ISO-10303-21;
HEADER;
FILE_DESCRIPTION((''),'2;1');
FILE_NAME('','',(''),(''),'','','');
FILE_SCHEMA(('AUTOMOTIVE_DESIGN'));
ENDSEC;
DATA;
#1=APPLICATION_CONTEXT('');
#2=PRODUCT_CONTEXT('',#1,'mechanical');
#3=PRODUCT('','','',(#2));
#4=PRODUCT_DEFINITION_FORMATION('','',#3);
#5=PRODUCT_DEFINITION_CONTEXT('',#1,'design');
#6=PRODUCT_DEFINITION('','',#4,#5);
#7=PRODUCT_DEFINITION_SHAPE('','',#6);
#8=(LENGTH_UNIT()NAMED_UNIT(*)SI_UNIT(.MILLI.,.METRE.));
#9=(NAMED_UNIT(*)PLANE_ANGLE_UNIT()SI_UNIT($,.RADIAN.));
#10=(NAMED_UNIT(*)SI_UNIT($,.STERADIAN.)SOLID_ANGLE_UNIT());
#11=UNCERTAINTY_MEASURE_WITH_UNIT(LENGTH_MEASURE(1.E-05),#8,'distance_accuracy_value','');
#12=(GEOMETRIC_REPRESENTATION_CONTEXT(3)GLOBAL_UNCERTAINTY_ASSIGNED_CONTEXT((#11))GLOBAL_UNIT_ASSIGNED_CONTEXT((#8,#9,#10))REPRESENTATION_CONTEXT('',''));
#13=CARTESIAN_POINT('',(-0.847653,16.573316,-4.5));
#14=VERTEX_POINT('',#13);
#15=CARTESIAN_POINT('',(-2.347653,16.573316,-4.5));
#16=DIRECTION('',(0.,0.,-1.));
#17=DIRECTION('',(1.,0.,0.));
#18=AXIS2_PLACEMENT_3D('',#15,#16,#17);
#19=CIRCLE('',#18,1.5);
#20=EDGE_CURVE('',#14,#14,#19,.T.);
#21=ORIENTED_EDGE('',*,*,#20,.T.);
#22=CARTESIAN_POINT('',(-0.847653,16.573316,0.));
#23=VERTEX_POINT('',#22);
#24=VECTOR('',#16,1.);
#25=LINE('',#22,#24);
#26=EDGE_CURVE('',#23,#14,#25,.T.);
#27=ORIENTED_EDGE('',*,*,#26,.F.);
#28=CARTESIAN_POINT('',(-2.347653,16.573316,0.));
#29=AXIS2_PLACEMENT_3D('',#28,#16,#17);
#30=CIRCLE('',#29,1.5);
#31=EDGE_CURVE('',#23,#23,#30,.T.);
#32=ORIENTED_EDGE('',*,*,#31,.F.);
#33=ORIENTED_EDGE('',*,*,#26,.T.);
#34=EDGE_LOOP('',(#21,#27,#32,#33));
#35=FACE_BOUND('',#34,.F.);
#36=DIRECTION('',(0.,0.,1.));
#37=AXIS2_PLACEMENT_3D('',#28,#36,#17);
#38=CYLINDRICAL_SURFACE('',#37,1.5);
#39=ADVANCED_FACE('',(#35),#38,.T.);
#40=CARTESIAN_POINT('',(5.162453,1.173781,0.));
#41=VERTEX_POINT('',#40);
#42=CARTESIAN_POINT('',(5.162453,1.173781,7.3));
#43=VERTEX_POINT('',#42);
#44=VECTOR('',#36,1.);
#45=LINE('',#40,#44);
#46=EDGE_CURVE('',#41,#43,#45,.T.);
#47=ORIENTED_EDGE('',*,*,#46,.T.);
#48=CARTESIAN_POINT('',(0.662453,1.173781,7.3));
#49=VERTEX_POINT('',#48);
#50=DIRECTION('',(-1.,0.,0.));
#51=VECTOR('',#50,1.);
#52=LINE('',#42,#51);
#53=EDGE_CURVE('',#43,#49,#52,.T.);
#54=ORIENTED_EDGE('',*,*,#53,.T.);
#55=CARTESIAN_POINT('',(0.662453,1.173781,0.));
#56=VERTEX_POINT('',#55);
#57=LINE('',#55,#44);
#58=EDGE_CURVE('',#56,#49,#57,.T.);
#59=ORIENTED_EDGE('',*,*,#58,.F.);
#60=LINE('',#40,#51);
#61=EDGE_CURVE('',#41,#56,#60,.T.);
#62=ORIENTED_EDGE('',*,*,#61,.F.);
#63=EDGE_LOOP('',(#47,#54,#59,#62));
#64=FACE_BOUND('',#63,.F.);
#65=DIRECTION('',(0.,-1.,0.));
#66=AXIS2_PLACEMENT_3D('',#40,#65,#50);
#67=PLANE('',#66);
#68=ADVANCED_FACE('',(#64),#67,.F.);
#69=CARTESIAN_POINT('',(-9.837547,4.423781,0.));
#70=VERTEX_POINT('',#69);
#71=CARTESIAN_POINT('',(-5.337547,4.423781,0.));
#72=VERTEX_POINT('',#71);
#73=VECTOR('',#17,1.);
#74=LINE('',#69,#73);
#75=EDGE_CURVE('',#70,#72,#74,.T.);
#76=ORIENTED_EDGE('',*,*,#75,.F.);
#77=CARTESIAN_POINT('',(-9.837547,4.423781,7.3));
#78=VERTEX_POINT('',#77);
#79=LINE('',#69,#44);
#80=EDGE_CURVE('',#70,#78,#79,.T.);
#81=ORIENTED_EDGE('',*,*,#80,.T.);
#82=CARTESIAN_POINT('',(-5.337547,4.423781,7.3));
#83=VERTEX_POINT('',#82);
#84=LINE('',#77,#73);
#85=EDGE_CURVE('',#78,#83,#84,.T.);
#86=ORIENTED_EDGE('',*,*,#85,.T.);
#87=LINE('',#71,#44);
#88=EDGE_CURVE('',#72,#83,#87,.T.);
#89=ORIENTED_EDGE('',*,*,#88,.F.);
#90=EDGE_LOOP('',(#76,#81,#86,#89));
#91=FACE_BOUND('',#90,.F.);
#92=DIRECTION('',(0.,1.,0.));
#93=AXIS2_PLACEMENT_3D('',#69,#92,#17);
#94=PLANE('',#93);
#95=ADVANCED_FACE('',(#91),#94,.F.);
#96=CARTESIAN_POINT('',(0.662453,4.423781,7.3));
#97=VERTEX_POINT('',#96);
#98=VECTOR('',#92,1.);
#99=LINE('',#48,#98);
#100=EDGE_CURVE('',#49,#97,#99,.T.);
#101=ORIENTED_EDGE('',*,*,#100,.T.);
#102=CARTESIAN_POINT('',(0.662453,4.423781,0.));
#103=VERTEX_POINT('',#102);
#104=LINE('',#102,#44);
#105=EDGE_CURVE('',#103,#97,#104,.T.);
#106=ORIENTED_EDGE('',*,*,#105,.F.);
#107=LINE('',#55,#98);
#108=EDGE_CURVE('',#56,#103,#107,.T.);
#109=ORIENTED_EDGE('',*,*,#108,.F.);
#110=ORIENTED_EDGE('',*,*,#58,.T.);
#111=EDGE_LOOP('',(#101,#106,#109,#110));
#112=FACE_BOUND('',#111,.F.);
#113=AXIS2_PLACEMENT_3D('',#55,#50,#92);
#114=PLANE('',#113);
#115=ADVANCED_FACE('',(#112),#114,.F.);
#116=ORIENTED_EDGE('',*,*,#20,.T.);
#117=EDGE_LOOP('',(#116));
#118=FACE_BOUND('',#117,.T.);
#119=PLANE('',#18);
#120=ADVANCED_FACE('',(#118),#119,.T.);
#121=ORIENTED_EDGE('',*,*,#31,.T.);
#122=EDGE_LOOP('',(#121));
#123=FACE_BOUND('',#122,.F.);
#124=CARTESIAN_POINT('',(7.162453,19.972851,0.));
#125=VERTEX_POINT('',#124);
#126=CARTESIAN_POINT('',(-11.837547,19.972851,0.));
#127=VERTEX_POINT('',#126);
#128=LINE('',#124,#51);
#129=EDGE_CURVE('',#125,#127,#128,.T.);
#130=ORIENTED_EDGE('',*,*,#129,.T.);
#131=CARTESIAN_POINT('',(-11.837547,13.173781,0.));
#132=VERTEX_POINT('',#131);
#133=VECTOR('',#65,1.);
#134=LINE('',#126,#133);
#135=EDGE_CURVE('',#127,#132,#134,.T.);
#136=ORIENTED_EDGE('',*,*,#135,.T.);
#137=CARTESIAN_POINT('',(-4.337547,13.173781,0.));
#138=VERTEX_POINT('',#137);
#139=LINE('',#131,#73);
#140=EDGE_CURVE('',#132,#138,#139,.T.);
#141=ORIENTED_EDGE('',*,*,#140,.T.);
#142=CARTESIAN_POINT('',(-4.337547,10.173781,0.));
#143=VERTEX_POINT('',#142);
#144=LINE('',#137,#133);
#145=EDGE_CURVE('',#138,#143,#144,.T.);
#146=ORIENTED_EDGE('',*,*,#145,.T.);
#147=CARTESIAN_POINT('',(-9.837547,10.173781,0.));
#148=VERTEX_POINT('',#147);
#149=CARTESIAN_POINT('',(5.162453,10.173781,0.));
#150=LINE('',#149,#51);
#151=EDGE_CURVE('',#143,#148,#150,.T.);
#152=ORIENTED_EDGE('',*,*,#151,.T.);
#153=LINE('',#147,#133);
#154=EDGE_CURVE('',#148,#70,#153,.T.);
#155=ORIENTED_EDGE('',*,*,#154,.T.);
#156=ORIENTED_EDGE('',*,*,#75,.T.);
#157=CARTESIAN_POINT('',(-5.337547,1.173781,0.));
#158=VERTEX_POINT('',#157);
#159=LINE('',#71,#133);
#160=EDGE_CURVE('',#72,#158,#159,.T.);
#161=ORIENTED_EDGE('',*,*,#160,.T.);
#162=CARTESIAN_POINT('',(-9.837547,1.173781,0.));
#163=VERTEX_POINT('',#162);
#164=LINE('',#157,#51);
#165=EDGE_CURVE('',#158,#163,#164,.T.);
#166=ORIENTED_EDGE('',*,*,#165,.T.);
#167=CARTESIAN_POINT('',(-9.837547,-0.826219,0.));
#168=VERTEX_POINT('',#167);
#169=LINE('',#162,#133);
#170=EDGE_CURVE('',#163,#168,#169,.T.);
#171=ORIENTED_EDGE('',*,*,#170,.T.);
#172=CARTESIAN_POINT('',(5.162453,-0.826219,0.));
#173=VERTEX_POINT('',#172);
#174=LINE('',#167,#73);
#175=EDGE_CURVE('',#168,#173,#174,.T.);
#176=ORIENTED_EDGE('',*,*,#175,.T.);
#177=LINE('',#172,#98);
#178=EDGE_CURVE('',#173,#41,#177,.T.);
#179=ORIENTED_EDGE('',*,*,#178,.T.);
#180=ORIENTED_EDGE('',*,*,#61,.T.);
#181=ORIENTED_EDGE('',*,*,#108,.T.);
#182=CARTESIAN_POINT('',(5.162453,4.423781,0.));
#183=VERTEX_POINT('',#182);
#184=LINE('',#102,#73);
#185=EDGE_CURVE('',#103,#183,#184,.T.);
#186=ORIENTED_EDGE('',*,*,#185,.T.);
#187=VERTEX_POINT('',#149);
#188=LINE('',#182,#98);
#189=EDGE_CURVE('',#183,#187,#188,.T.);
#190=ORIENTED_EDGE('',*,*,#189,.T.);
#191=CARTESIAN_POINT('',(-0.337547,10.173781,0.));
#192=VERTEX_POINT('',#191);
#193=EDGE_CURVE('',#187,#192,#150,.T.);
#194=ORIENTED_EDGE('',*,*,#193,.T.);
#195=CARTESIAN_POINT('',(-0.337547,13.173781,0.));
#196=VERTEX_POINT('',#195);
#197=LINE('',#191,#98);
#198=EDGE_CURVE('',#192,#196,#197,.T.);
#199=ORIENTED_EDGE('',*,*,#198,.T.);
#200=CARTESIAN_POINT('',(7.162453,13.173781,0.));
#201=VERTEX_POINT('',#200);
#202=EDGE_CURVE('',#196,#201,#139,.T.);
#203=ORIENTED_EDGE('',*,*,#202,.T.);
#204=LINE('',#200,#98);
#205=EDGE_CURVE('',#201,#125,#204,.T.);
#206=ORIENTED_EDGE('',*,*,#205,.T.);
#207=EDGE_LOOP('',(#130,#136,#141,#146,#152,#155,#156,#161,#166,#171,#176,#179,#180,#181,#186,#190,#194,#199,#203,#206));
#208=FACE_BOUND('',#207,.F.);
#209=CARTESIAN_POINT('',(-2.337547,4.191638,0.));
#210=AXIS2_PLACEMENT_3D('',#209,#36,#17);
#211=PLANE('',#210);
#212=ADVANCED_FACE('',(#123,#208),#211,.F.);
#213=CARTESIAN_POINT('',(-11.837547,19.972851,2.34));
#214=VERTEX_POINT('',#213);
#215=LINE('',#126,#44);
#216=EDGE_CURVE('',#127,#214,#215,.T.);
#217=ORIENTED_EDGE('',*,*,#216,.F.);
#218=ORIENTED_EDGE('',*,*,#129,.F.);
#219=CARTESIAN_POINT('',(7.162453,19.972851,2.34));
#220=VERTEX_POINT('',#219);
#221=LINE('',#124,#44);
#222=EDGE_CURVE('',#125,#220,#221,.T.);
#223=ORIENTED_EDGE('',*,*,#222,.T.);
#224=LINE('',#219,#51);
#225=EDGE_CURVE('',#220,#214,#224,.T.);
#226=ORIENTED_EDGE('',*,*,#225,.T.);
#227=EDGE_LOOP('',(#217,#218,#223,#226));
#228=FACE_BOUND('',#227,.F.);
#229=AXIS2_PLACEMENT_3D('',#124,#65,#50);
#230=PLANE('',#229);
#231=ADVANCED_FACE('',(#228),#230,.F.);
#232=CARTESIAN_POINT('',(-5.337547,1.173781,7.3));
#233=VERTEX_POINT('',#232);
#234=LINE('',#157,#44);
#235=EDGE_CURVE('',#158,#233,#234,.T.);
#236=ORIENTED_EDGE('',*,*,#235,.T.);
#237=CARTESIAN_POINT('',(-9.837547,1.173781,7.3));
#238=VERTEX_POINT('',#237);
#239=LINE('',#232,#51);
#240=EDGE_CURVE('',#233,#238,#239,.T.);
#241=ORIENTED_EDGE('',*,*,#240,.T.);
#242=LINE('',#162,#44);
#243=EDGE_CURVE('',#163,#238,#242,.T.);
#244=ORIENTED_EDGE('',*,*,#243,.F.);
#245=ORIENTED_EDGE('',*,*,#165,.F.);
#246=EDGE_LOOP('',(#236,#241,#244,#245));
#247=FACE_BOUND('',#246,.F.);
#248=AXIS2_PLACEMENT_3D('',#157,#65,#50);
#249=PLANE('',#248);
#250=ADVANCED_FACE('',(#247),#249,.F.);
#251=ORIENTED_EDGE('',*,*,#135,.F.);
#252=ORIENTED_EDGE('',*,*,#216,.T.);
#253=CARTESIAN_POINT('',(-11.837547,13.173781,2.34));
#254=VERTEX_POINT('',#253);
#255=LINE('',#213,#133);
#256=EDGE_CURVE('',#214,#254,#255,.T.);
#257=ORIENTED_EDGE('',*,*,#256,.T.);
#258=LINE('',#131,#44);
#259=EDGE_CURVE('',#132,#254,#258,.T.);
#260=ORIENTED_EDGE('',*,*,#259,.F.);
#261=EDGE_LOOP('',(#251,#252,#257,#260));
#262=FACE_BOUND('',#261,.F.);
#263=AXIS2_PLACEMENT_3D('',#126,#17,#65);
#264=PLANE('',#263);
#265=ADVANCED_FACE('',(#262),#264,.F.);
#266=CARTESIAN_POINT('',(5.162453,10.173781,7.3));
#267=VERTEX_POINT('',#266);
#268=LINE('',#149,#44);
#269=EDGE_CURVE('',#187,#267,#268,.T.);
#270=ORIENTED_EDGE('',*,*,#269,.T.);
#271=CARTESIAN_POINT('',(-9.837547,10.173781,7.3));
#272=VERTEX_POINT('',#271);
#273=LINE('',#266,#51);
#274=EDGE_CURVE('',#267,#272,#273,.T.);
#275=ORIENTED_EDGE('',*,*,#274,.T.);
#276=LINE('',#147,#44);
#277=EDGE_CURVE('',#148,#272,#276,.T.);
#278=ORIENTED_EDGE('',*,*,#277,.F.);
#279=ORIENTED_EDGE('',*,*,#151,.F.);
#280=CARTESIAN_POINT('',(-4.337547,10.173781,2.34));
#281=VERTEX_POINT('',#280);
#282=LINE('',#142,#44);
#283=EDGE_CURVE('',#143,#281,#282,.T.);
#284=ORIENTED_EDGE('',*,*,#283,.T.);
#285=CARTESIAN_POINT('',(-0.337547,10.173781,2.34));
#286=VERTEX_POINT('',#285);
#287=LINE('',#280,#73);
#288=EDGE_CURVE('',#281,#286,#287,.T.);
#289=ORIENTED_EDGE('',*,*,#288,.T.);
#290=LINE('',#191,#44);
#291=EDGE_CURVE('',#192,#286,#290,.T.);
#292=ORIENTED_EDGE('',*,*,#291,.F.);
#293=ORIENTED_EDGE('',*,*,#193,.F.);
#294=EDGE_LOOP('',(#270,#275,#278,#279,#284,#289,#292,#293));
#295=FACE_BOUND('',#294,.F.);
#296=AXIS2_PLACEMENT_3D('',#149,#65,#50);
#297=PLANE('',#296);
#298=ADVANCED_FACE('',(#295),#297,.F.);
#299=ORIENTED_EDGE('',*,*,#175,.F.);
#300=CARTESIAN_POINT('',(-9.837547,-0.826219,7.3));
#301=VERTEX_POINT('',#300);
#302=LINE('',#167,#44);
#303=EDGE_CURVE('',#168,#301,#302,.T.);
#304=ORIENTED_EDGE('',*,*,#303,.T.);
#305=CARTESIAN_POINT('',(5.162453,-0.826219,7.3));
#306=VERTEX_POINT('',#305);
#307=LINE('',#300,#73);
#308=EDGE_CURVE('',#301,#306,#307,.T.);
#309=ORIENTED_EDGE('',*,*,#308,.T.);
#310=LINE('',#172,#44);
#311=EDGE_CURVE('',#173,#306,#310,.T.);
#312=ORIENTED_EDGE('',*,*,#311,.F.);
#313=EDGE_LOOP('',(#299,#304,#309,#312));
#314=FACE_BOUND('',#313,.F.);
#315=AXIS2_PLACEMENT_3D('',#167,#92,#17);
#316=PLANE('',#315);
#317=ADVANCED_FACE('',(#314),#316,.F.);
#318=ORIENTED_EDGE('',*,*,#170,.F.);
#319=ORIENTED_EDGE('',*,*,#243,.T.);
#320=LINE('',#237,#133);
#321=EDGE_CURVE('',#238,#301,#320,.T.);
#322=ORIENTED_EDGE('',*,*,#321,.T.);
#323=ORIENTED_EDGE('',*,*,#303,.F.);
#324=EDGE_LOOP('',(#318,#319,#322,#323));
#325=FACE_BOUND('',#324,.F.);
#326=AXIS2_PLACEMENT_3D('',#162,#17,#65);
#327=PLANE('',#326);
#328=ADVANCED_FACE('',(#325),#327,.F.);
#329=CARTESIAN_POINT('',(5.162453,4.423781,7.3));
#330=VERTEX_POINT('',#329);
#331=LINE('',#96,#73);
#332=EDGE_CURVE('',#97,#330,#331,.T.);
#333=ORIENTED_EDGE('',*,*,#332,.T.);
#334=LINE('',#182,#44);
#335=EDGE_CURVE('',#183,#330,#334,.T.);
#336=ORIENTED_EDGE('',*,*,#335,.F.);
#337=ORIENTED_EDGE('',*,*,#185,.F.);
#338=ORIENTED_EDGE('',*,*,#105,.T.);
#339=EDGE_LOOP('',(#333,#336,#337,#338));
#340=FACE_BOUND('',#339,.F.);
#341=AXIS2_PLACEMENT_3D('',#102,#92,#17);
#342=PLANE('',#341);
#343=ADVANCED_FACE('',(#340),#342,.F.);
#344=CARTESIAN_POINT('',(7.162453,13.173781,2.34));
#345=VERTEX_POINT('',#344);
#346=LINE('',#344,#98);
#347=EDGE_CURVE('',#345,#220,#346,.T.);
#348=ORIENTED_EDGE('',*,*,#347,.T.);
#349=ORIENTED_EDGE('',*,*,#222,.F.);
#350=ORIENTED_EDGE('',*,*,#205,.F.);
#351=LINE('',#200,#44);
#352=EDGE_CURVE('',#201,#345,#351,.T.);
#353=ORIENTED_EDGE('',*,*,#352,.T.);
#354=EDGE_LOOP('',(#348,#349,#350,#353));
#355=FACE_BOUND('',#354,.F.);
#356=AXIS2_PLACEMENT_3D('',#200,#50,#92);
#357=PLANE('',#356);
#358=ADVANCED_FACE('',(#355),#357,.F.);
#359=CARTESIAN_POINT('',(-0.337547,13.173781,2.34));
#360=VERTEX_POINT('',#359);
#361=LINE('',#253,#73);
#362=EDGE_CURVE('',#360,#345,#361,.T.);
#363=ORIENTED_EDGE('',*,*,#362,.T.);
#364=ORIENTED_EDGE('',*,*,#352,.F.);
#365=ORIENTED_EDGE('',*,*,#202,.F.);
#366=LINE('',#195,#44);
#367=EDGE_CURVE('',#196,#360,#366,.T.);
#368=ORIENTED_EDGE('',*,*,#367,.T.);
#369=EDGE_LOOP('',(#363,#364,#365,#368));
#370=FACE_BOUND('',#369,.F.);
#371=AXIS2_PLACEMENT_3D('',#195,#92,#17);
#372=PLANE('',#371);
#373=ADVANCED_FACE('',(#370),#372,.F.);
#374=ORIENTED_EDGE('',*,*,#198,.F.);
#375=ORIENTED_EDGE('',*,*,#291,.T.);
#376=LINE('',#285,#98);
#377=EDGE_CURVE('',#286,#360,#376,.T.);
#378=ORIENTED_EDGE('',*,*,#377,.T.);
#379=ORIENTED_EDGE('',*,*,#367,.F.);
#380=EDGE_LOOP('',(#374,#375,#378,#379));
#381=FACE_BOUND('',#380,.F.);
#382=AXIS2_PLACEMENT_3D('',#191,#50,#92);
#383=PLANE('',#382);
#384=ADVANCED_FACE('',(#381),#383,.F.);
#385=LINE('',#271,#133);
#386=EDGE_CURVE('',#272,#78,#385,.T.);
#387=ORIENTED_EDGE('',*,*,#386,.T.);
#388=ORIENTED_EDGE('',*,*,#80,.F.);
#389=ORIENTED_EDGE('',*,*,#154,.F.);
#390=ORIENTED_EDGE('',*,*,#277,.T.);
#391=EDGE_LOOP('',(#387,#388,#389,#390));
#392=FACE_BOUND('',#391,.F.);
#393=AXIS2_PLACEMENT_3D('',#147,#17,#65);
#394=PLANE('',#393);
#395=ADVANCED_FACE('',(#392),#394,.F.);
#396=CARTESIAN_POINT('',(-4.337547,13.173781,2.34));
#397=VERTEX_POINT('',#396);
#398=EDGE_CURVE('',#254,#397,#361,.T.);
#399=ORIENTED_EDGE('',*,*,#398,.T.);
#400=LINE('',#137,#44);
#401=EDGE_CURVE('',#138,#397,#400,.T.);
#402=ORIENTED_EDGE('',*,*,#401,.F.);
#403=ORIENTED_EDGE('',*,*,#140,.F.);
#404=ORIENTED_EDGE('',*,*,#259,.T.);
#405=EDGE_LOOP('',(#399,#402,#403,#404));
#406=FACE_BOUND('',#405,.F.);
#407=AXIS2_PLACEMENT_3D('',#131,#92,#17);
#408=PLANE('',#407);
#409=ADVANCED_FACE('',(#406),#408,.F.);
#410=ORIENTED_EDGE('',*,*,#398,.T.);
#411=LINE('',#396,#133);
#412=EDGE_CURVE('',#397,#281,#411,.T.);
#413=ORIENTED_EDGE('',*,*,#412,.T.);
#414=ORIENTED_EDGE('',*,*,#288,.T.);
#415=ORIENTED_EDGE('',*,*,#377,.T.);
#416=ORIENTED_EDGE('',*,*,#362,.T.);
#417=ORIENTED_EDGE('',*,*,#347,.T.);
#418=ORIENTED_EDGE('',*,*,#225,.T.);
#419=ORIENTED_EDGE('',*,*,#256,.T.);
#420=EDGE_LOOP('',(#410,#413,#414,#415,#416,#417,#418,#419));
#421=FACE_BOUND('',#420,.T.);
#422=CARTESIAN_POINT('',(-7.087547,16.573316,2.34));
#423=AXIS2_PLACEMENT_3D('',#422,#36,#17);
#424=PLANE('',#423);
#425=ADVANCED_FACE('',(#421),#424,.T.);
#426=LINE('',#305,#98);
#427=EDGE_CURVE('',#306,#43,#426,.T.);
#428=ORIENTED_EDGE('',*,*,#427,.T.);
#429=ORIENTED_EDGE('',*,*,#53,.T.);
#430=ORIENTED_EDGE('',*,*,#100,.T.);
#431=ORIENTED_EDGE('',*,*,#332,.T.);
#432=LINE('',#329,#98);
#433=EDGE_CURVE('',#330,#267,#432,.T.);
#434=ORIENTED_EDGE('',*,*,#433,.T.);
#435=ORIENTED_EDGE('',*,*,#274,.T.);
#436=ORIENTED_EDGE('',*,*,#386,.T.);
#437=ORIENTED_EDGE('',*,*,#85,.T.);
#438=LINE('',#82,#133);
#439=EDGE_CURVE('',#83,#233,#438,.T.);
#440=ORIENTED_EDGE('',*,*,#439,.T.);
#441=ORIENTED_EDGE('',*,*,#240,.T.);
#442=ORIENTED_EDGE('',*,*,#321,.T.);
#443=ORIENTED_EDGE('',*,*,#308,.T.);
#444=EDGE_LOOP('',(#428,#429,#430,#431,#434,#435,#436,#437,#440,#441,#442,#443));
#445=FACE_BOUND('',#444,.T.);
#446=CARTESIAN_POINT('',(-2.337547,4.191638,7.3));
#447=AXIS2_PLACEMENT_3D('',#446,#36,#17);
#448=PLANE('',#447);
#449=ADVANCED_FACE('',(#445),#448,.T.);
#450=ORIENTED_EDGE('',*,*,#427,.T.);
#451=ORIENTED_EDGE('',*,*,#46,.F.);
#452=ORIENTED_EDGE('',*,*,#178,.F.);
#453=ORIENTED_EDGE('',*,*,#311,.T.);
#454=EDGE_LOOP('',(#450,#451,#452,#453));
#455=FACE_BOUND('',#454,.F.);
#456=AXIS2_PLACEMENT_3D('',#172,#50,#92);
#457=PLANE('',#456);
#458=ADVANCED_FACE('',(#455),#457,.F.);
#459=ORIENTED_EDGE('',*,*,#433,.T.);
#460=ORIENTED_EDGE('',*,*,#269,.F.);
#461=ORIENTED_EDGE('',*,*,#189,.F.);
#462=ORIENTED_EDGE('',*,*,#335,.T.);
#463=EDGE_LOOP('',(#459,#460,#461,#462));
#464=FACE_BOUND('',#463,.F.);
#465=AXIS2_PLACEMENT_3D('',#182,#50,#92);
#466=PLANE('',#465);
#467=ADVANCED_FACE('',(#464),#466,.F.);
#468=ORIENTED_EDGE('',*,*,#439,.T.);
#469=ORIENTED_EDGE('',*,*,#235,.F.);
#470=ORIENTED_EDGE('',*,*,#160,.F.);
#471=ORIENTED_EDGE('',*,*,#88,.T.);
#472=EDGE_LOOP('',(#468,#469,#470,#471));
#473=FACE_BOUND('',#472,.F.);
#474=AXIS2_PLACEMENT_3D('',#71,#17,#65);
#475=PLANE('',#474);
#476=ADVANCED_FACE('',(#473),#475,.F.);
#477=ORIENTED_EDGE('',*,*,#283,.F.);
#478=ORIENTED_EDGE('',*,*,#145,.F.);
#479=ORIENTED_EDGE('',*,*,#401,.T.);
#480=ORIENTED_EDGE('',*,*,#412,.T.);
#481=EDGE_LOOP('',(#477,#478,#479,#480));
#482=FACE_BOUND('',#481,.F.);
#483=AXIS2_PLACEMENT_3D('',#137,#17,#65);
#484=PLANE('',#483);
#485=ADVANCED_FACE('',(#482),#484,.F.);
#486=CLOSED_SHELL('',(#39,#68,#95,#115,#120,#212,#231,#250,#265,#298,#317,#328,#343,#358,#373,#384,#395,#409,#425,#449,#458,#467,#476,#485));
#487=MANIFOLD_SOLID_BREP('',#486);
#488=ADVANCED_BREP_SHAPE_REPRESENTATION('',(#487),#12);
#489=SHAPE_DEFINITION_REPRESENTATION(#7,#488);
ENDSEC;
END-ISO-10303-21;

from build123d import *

# Parameters (mm, degrees)
F1_DEPTH = 2.34
F2_DEPTH = 7.3
F3_R     = 1.5
F4_DEPTH = 4.5


with BuildPart() as f1:
    # F0 (on Top) → F1 (new body)
    with BuildSketch(Plane.XY):
        Polygon((-11.837547, 13.173781), (-4.337547, 13.173781), (-2.337547, 13.173781), (-2.337547, 19.972851), (-11.837547, 19.972851), align=None)
        Polygon((-2.337547, 13.173781), (-0.337547, 13.173781), (7.162453, 13.173781), (7.162453, 19.972851), (-2.337547, 19.972851), align=None)
        Polygon((-4.337547, 13.173781), (-4.337547, 10.173781), (-0.337547, 10.173781), (-0.337547, 13.173781), (-2.337547, 13.173781), align=None)
    extrude(amount=F1_DEPTH)

    # F0 (on Top) → F2 (join)
    with BuildSketch(Plane.XY):
        Polygon((-4.337547, 10.173781), (-9.837547, 10.173781), (-9.837547, 4.423781), (-5.337547, 4.423781), (-5.337547, 1.173781), (-9.837547, 1.173781), (-9.837547, -0.826219), (5.162453, -0.826219), (5.162453, 1.173781), (0.662453, 1.173781), (0.662453, 4.423781), (5.162453, 4.423781), (5.162453, 10.173781), (-0.337547, 10.173781), align=None)
    extrude(amount=F2_DEPTH)

    # F3 (on face) → F4 (join)
    with BuildSketch(Plane(origin=(0, 0, 0), x_dir=(1, 0, 0), z_dir=(0, 0, -1))):
        with Locations((-2.347653, -16.573316)):
            Circle(F3_R)
    extrude(amount=F4_DEPTH)


solid = f1.part
